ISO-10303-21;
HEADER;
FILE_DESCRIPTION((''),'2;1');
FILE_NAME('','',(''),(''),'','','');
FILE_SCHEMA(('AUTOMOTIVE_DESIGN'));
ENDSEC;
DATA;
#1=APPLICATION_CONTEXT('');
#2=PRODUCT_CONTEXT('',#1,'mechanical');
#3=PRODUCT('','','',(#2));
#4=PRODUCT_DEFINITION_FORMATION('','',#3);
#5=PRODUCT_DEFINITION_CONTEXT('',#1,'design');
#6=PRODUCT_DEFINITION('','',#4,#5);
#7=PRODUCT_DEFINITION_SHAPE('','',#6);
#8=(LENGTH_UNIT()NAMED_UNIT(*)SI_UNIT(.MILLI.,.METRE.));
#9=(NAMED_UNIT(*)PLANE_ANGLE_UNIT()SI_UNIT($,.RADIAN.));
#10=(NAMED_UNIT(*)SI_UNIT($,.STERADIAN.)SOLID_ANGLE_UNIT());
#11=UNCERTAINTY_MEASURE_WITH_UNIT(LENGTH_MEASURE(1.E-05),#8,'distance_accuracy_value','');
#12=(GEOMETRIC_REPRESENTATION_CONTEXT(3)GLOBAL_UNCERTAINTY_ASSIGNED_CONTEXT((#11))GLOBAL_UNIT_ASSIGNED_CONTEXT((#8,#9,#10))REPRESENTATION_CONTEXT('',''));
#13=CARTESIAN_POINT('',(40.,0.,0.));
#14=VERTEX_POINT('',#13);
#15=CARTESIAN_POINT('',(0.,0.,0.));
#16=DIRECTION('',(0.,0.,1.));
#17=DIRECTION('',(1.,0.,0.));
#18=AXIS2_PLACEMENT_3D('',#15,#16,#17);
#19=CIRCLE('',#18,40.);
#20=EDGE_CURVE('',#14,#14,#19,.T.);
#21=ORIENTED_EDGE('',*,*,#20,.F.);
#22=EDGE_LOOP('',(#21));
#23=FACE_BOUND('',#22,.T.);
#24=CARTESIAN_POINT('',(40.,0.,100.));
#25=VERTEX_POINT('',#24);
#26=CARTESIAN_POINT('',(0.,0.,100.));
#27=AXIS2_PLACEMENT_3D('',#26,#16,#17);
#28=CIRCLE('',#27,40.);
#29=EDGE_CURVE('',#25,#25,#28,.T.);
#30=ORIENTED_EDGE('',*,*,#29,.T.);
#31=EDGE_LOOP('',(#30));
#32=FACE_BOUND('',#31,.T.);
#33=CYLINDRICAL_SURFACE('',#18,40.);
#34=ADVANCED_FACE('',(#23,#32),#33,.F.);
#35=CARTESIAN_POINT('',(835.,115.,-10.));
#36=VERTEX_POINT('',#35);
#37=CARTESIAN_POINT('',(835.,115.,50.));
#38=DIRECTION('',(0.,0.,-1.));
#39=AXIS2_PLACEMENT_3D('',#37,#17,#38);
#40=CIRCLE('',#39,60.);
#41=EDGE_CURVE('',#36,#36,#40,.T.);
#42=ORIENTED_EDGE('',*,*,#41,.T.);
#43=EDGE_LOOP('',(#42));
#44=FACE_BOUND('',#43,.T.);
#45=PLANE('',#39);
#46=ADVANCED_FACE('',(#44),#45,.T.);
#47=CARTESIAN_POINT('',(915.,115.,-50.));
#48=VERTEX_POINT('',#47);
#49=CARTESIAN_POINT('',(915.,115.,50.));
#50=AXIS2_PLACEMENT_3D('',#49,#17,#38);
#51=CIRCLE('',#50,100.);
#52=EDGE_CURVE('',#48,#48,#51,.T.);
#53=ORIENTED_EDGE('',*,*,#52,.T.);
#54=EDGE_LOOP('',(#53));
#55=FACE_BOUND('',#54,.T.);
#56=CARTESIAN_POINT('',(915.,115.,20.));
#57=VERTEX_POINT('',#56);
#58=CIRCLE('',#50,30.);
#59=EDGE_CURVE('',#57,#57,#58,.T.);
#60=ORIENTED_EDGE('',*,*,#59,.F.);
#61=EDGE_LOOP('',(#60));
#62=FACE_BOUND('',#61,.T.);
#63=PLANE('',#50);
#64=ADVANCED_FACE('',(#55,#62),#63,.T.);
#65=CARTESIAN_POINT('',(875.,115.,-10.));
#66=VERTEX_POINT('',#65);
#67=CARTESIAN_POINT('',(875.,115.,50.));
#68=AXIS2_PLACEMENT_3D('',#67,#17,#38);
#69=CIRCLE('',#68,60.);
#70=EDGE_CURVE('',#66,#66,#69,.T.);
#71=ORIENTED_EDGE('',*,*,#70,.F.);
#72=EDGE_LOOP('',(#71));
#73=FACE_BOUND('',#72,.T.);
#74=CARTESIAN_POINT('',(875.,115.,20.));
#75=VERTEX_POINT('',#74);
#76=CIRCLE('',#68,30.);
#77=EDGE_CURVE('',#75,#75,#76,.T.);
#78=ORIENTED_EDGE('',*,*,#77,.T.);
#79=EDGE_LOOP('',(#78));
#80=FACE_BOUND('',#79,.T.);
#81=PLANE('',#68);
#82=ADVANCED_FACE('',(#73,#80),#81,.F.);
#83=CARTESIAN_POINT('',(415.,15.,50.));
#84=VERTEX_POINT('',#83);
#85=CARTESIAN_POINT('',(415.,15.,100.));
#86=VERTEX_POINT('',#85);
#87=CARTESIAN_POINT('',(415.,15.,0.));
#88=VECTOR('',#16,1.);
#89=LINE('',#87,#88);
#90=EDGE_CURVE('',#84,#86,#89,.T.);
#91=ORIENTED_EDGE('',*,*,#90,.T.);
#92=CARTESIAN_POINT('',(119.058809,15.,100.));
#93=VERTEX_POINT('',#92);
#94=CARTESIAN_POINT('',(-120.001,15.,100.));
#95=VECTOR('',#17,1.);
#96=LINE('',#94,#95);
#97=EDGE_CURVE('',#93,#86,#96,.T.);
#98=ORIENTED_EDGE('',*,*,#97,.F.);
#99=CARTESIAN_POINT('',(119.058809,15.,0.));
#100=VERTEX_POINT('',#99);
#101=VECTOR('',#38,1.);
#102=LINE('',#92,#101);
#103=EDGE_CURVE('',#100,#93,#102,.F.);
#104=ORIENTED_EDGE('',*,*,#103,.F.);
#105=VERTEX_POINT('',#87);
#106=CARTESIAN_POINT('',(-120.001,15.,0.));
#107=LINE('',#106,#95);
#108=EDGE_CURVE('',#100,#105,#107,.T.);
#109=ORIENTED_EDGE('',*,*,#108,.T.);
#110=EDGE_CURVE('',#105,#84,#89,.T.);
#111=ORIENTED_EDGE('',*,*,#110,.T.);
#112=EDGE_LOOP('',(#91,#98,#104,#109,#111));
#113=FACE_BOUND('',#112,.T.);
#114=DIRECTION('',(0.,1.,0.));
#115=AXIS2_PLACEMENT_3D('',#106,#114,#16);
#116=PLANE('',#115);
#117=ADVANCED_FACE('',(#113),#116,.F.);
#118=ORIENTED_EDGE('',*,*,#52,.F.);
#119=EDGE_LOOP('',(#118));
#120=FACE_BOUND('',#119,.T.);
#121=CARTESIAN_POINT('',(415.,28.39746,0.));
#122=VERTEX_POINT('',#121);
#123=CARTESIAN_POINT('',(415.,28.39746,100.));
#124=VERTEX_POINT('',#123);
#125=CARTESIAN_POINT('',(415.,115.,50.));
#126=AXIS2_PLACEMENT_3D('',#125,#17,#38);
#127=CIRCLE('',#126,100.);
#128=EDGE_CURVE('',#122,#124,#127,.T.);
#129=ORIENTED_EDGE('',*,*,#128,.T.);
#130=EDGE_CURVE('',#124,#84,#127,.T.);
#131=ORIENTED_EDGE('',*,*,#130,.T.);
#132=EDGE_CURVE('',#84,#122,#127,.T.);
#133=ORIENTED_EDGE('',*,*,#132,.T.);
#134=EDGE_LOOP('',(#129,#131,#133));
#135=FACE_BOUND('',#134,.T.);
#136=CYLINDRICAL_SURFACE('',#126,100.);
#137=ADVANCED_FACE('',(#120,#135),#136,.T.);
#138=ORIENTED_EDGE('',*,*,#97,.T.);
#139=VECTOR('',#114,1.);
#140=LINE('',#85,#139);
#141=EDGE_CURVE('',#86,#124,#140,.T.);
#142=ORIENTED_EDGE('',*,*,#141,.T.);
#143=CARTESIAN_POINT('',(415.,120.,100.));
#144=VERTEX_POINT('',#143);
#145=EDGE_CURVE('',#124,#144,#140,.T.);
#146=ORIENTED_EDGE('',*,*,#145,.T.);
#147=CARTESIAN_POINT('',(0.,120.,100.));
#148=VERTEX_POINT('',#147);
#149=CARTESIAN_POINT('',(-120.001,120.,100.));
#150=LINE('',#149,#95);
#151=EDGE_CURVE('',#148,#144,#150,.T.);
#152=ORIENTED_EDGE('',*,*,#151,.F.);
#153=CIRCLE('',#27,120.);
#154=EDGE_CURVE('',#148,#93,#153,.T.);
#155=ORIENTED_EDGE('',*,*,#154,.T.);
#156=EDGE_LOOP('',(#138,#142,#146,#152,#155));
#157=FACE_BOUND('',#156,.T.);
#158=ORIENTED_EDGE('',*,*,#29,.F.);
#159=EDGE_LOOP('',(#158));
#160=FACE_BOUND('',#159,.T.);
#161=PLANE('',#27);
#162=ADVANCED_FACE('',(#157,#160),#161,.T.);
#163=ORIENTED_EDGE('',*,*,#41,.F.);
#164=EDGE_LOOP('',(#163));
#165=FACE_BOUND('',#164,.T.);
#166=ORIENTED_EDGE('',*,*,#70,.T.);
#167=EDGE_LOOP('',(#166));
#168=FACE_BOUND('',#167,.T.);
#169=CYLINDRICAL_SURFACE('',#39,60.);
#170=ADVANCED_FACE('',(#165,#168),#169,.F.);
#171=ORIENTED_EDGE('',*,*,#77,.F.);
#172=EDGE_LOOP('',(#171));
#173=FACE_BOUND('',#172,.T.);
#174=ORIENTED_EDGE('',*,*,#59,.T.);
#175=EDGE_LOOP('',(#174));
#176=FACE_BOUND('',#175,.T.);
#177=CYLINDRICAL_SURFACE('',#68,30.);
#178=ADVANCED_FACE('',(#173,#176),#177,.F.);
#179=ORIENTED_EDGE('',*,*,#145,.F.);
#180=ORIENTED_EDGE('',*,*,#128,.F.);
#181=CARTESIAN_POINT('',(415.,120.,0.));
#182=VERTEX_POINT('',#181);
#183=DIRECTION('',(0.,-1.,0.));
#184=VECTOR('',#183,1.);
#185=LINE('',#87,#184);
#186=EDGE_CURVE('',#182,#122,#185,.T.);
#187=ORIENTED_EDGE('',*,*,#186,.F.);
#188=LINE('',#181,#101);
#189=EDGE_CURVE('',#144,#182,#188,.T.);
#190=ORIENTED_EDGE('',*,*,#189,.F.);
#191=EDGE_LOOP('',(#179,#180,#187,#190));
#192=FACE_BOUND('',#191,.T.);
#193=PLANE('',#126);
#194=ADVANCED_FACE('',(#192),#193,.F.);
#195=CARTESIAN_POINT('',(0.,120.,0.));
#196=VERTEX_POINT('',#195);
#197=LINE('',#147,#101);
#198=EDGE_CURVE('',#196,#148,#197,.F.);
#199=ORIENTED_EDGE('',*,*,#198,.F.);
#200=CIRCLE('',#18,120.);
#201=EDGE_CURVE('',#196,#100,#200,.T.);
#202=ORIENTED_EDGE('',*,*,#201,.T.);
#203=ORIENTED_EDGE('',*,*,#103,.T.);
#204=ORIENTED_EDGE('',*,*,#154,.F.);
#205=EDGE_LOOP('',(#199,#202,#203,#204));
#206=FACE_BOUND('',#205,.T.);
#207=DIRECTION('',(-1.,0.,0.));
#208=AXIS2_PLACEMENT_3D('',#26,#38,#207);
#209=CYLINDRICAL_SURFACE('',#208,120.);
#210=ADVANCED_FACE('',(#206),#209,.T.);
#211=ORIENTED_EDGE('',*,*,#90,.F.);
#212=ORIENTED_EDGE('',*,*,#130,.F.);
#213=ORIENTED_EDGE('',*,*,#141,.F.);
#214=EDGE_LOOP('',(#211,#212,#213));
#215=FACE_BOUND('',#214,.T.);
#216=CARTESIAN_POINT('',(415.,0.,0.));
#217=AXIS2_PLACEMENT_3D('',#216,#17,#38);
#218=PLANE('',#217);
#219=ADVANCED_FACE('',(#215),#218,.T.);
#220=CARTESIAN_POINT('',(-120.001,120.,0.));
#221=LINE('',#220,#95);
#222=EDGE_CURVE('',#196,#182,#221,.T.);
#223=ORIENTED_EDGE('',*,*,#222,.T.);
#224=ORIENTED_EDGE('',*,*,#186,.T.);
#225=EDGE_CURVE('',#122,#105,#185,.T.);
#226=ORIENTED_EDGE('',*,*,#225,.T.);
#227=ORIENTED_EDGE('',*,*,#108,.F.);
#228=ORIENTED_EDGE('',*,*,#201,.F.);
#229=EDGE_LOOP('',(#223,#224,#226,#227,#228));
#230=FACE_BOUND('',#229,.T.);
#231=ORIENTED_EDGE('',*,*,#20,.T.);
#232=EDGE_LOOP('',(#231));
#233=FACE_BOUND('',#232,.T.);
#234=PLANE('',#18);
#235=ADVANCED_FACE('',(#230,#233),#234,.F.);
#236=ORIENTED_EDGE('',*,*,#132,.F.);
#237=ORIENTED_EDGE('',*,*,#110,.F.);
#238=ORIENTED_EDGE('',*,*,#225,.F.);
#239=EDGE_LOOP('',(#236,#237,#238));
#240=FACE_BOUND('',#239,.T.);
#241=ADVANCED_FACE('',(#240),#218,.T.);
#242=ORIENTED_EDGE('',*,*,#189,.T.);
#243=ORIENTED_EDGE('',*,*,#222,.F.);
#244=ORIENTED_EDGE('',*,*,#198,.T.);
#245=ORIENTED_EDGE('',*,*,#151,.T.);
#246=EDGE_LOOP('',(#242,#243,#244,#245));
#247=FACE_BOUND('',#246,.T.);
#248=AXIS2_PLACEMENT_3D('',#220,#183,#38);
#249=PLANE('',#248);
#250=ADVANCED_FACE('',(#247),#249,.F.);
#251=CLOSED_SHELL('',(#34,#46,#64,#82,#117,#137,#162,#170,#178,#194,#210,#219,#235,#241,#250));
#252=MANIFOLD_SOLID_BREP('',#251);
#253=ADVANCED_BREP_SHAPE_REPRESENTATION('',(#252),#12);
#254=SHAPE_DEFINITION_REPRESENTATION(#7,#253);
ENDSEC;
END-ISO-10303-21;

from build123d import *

# Parameters (mm, degrees)
SKETCH1_R                = 120
BOSS_EXTRUDE2_DEPTH      = 100
SKETCH2_R                = 40
CUT_EXTRUDE1_DEPTH       = 100
SKETCH3_R                = 100
BOSS_EXTRUDE3_DEPTH      = 500
BOSS_EXTRUDE4_REACH      = 597.777
BOSS_EXTRUDE4_END_RADIUS = 120
SKETCH4_W                = 100
SKETCH4_H                = 105
SKETCH5_R                = 30
CUT_EXTRUDE2_DEPTH       = 40
SKETCH6_R                = 60
CUT_EXTRUDE3_DEPTH       = 40


with BuildPart() as part:
    # Sketch1 → Boss-Extrude2 (new body)
    with BuildSketch(Plane.XY):
        Circle(SKETCH1_R)
    extrude(amount=BOSS_EXTRUDE2_DEPTH)

    # Sketch2 → Cut-Extrude1 (cut)
    with BuildSketch(Plane.XY.offset(100)):
        Circle(SKETCH2_R)
    extrude(amount=-CUT_EXTRUDE1_DEPTH, mode=Mode.SUBTRACT)



with BuildPart() as body_2:
    # Sketch3 → Boss-Extrude3 (new body)
    with BuildSketch(Plane(origin=(915, 0, 0), x_dir=(0, 0, -1), z_dir=(1, 0, 0))):
        with Locations((-50, 115)):
            Circle(SKETCH3_R)
    extrude(amount=-BOSS_EXTRUDE3_DEPTH)


with BuildPart() as part_1:
    add(part.part)

    add(body_2.part)  # Boss-Extrude4 merges body 2
    # Boss-Extrude4: up to this cylinder (the profile starts outside it)
    boss_extrude4_end = Plane(origin=(0, 0, 50), z_dir=(0, 0, -1)) * Cylinder(BOSS_EXTRUDE4_END_RADIUS, 1436.554, mode=Mode.PRIVATE)
    # Sketch4 → Boss-Extrude4 (add, up to the surface)
    with BuildSketch(Plane.ZY.offset(-415), mode=Mode.PRIVATE) as boss_extrude4_sk1:
        with Locations((50, 67.5)):
            Rectangle(SKETCH4_W, SKETCH4_H)
    boss_extrude4_tool1 = extrude(boss_extrude4_sk1.sketch, amount=BOSS_EXTRUDE4_REACH, mode=Mode.PRIVATE) - boss_extrude4_end
    add(boss_extrude4_tool1.solids().sort_by_distance((415, 67.5, 50))[0])

    # Sketch5 → Cut-Extrude2 (cut)
    with BuildSketch(Plane(origin=(915, 0, 0), x_dir=(0, 0, -1), z_dir=(1, 0, 0))):
        with Locations((-50, 115)):
            Circle(SKETCH5_R)
    extrude(amount=-CUT_EXTRUDE2_DEPTH, mode=Mode.SUBTRACT)

    # Sketch6 → Cut-Extrude3 (cut)
    with BuildSketch(Plane(origin=(875, 0, 0), x_dir=(0, 0, -1), z_dir=(1, 0, 0))):
        with Locations((-50, 115)):
            Circle(SKETCH6_R)
    extrude(amount=-CUT_EXTRUDE3_DEPTH, mode=Mode.SUBTRACT)


solid = part_1.part
